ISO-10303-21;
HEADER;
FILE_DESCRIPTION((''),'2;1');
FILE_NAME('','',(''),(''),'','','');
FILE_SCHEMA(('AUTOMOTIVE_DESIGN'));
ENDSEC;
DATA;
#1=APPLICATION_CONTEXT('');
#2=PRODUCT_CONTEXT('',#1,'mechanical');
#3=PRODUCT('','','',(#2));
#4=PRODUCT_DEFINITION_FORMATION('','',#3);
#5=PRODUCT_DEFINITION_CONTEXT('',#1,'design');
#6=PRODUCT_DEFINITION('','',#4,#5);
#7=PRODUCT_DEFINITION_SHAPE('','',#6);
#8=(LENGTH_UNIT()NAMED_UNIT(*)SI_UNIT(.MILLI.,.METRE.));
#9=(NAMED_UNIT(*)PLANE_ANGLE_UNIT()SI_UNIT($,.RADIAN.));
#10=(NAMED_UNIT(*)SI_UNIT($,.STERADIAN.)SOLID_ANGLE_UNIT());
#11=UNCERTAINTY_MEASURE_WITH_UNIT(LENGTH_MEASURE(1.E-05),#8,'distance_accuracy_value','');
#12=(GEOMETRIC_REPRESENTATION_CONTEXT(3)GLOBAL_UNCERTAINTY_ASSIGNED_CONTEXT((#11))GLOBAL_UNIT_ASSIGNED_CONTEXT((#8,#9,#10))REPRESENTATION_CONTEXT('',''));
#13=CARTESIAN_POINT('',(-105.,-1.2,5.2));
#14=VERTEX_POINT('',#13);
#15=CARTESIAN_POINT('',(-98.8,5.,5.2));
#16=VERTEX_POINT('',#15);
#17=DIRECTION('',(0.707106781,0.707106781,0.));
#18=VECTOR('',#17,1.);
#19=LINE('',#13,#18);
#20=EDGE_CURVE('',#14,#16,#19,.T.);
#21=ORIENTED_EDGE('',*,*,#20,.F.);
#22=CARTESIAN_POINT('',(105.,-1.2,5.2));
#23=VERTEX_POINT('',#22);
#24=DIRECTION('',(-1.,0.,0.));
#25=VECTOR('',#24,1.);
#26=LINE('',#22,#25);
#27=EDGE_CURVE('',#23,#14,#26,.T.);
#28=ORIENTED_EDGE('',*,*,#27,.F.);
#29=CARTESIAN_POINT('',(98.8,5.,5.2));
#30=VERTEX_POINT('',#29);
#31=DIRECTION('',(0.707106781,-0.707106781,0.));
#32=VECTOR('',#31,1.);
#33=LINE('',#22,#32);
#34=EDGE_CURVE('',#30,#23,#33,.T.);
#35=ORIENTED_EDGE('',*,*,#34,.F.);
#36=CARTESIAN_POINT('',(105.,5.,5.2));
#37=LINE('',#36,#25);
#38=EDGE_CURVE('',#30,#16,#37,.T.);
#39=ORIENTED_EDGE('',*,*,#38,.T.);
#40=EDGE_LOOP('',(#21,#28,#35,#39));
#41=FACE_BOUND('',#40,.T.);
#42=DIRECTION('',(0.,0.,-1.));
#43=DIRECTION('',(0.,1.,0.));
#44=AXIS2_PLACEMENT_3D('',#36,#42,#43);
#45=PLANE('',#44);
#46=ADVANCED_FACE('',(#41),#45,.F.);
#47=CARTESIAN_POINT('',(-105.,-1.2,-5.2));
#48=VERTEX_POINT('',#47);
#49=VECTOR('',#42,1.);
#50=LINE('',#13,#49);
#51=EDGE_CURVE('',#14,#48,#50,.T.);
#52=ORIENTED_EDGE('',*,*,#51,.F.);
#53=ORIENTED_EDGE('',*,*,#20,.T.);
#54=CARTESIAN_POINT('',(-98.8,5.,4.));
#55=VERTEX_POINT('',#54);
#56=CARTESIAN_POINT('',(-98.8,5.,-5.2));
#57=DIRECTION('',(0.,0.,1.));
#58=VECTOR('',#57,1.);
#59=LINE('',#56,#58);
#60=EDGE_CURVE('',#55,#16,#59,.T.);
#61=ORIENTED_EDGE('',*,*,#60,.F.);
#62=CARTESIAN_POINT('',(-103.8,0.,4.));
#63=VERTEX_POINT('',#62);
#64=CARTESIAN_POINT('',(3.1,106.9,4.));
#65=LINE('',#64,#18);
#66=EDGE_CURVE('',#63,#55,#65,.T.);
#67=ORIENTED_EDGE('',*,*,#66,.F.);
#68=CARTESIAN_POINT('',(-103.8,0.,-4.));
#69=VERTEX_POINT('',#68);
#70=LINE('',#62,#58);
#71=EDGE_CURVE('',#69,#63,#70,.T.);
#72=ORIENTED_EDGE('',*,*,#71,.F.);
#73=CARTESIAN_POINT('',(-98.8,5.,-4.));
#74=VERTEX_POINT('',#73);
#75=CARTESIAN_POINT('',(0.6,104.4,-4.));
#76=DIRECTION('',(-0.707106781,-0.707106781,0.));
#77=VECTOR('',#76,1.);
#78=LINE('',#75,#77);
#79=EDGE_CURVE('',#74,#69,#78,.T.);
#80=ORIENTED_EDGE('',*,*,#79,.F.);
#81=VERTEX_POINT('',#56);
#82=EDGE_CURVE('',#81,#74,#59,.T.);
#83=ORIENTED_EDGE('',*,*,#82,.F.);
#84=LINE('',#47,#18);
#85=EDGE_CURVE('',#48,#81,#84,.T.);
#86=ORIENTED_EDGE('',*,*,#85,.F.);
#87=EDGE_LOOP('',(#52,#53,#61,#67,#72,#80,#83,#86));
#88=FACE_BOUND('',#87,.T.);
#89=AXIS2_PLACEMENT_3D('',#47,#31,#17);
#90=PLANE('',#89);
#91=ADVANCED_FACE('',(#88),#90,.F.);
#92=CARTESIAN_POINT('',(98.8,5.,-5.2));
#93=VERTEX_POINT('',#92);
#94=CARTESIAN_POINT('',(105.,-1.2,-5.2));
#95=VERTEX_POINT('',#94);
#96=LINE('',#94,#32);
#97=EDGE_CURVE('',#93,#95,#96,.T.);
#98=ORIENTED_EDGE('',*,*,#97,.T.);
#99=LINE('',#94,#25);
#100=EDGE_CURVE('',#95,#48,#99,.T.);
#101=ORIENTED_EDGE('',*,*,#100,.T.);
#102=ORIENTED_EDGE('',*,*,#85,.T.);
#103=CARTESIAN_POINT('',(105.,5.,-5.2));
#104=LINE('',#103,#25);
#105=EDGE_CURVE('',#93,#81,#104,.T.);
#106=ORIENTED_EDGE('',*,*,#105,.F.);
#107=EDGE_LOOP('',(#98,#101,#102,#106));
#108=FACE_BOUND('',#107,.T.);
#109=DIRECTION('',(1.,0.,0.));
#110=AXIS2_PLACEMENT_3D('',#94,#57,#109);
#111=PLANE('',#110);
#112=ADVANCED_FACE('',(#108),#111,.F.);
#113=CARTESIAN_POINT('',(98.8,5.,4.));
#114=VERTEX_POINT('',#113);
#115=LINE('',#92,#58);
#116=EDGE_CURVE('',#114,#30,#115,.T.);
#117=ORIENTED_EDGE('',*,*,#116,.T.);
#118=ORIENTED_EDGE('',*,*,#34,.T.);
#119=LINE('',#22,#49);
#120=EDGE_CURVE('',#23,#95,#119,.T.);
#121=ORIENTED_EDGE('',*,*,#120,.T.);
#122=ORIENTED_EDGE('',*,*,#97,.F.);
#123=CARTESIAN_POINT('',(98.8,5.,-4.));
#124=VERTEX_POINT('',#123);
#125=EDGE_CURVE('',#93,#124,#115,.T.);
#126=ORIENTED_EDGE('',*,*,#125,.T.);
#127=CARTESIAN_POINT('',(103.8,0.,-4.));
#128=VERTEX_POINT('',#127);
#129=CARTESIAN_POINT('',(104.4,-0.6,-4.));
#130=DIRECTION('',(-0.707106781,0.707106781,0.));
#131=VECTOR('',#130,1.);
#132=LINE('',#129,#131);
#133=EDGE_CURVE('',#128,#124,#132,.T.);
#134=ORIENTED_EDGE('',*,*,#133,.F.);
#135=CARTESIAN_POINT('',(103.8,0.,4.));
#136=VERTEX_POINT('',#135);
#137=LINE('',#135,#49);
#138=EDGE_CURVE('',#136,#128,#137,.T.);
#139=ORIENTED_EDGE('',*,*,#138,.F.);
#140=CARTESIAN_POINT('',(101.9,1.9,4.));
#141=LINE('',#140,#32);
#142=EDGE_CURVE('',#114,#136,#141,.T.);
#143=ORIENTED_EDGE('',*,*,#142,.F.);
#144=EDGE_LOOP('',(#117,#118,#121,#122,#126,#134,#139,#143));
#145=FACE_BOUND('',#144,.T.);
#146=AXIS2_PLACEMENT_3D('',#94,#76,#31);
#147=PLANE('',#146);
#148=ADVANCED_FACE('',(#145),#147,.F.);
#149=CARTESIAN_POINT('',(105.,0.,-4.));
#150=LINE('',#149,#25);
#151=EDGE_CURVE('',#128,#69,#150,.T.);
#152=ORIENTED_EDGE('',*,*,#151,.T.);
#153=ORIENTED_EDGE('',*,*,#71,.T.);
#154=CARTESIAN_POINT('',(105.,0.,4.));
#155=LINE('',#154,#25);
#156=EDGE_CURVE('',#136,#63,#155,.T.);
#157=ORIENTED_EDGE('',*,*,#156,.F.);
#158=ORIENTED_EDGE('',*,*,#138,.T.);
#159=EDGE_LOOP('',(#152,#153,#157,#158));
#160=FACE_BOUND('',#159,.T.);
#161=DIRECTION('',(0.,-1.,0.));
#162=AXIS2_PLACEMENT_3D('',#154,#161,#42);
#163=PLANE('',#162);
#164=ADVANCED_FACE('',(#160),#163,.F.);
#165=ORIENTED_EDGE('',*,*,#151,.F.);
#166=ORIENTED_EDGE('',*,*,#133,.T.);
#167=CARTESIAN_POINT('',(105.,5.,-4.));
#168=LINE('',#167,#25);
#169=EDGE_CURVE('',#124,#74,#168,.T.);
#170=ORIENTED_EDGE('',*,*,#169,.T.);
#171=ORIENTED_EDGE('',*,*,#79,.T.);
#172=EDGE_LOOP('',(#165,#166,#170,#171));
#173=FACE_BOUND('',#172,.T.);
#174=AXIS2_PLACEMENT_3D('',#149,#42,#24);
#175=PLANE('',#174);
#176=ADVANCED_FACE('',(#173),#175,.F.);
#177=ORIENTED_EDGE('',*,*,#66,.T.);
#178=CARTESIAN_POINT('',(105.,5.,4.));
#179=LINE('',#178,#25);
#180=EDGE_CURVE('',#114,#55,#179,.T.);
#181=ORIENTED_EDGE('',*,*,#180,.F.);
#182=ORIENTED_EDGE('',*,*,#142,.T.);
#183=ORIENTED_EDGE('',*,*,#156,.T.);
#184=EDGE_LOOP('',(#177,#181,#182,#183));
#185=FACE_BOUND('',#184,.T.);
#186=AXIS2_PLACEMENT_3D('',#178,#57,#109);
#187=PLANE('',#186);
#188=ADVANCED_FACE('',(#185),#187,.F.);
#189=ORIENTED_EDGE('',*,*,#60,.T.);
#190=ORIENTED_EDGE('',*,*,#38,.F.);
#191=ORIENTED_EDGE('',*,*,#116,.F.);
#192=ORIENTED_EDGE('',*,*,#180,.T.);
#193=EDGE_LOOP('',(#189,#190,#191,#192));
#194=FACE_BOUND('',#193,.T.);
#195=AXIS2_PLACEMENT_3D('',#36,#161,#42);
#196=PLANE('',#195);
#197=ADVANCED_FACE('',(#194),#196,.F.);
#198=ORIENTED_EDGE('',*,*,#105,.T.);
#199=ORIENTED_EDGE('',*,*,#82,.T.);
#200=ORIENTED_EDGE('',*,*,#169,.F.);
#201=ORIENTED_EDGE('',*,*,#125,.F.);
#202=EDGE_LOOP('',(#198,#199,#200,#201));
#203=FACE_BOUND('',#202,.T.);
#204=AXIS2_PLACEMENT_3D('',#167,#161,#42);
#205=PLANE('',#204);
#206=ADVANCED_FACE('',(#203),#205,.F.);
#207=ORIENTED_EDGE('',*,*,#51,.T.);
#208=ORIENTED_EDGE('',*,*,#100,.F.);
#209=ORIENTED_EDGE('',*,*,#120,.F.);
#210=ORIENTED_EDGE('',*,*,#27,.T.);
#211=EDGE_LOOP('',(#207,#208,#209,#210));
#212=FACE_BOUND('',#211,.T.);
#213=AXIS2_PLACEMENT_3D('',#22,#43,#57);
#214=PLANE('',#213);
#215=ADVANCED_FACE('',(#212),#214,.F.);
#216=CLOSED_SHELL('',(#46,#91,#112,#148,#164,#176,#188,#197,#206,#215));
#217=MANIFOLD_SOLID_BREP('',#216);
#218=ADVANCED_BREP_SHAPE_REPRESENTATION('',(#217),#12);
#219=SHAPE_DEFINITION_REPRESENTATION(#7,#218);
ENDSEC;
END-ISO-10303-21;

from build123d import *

# Parameters (mm, degrees)
BOSS_EXTRUDE1_DEPTH = 105
CUT_EXTRUDE1_DEPTH  = 106.632192063


with BuildPart() as part:
    # Sketch1 → Boss-Extrude1 (new, symmetric)
    with BuildSketch(Plane(origin=(0, 0, 0), x_dir=(0, 0, -1), z_dir=(1, 0, 0))):
        Polygon((-4, 5), (-4, 0), (4, 0), (4, 5), (5.2, 5), (5.2, -1.2), (-5.2, -1.2), (-5.2, 5), align=None)
    extrude(amount=BOSS_EXTRUDE1_DEPTH, both=True)

    # Sketch3 → Cut-Extrude1 (cut, through all)
    with BuildSketch(Plane.XY.offset(5.2)):
        Polygon((-105, 5), (-105, -1.2), (-98.8, 5), align=None)
        Polygon((105, 5), (105, -1.2), (98.8, 5), align=None)
    extrude(amount=-CUT_EXTRUDE1_DEPTH, mode=Mode.SUBTRACT)


solid = part.part
